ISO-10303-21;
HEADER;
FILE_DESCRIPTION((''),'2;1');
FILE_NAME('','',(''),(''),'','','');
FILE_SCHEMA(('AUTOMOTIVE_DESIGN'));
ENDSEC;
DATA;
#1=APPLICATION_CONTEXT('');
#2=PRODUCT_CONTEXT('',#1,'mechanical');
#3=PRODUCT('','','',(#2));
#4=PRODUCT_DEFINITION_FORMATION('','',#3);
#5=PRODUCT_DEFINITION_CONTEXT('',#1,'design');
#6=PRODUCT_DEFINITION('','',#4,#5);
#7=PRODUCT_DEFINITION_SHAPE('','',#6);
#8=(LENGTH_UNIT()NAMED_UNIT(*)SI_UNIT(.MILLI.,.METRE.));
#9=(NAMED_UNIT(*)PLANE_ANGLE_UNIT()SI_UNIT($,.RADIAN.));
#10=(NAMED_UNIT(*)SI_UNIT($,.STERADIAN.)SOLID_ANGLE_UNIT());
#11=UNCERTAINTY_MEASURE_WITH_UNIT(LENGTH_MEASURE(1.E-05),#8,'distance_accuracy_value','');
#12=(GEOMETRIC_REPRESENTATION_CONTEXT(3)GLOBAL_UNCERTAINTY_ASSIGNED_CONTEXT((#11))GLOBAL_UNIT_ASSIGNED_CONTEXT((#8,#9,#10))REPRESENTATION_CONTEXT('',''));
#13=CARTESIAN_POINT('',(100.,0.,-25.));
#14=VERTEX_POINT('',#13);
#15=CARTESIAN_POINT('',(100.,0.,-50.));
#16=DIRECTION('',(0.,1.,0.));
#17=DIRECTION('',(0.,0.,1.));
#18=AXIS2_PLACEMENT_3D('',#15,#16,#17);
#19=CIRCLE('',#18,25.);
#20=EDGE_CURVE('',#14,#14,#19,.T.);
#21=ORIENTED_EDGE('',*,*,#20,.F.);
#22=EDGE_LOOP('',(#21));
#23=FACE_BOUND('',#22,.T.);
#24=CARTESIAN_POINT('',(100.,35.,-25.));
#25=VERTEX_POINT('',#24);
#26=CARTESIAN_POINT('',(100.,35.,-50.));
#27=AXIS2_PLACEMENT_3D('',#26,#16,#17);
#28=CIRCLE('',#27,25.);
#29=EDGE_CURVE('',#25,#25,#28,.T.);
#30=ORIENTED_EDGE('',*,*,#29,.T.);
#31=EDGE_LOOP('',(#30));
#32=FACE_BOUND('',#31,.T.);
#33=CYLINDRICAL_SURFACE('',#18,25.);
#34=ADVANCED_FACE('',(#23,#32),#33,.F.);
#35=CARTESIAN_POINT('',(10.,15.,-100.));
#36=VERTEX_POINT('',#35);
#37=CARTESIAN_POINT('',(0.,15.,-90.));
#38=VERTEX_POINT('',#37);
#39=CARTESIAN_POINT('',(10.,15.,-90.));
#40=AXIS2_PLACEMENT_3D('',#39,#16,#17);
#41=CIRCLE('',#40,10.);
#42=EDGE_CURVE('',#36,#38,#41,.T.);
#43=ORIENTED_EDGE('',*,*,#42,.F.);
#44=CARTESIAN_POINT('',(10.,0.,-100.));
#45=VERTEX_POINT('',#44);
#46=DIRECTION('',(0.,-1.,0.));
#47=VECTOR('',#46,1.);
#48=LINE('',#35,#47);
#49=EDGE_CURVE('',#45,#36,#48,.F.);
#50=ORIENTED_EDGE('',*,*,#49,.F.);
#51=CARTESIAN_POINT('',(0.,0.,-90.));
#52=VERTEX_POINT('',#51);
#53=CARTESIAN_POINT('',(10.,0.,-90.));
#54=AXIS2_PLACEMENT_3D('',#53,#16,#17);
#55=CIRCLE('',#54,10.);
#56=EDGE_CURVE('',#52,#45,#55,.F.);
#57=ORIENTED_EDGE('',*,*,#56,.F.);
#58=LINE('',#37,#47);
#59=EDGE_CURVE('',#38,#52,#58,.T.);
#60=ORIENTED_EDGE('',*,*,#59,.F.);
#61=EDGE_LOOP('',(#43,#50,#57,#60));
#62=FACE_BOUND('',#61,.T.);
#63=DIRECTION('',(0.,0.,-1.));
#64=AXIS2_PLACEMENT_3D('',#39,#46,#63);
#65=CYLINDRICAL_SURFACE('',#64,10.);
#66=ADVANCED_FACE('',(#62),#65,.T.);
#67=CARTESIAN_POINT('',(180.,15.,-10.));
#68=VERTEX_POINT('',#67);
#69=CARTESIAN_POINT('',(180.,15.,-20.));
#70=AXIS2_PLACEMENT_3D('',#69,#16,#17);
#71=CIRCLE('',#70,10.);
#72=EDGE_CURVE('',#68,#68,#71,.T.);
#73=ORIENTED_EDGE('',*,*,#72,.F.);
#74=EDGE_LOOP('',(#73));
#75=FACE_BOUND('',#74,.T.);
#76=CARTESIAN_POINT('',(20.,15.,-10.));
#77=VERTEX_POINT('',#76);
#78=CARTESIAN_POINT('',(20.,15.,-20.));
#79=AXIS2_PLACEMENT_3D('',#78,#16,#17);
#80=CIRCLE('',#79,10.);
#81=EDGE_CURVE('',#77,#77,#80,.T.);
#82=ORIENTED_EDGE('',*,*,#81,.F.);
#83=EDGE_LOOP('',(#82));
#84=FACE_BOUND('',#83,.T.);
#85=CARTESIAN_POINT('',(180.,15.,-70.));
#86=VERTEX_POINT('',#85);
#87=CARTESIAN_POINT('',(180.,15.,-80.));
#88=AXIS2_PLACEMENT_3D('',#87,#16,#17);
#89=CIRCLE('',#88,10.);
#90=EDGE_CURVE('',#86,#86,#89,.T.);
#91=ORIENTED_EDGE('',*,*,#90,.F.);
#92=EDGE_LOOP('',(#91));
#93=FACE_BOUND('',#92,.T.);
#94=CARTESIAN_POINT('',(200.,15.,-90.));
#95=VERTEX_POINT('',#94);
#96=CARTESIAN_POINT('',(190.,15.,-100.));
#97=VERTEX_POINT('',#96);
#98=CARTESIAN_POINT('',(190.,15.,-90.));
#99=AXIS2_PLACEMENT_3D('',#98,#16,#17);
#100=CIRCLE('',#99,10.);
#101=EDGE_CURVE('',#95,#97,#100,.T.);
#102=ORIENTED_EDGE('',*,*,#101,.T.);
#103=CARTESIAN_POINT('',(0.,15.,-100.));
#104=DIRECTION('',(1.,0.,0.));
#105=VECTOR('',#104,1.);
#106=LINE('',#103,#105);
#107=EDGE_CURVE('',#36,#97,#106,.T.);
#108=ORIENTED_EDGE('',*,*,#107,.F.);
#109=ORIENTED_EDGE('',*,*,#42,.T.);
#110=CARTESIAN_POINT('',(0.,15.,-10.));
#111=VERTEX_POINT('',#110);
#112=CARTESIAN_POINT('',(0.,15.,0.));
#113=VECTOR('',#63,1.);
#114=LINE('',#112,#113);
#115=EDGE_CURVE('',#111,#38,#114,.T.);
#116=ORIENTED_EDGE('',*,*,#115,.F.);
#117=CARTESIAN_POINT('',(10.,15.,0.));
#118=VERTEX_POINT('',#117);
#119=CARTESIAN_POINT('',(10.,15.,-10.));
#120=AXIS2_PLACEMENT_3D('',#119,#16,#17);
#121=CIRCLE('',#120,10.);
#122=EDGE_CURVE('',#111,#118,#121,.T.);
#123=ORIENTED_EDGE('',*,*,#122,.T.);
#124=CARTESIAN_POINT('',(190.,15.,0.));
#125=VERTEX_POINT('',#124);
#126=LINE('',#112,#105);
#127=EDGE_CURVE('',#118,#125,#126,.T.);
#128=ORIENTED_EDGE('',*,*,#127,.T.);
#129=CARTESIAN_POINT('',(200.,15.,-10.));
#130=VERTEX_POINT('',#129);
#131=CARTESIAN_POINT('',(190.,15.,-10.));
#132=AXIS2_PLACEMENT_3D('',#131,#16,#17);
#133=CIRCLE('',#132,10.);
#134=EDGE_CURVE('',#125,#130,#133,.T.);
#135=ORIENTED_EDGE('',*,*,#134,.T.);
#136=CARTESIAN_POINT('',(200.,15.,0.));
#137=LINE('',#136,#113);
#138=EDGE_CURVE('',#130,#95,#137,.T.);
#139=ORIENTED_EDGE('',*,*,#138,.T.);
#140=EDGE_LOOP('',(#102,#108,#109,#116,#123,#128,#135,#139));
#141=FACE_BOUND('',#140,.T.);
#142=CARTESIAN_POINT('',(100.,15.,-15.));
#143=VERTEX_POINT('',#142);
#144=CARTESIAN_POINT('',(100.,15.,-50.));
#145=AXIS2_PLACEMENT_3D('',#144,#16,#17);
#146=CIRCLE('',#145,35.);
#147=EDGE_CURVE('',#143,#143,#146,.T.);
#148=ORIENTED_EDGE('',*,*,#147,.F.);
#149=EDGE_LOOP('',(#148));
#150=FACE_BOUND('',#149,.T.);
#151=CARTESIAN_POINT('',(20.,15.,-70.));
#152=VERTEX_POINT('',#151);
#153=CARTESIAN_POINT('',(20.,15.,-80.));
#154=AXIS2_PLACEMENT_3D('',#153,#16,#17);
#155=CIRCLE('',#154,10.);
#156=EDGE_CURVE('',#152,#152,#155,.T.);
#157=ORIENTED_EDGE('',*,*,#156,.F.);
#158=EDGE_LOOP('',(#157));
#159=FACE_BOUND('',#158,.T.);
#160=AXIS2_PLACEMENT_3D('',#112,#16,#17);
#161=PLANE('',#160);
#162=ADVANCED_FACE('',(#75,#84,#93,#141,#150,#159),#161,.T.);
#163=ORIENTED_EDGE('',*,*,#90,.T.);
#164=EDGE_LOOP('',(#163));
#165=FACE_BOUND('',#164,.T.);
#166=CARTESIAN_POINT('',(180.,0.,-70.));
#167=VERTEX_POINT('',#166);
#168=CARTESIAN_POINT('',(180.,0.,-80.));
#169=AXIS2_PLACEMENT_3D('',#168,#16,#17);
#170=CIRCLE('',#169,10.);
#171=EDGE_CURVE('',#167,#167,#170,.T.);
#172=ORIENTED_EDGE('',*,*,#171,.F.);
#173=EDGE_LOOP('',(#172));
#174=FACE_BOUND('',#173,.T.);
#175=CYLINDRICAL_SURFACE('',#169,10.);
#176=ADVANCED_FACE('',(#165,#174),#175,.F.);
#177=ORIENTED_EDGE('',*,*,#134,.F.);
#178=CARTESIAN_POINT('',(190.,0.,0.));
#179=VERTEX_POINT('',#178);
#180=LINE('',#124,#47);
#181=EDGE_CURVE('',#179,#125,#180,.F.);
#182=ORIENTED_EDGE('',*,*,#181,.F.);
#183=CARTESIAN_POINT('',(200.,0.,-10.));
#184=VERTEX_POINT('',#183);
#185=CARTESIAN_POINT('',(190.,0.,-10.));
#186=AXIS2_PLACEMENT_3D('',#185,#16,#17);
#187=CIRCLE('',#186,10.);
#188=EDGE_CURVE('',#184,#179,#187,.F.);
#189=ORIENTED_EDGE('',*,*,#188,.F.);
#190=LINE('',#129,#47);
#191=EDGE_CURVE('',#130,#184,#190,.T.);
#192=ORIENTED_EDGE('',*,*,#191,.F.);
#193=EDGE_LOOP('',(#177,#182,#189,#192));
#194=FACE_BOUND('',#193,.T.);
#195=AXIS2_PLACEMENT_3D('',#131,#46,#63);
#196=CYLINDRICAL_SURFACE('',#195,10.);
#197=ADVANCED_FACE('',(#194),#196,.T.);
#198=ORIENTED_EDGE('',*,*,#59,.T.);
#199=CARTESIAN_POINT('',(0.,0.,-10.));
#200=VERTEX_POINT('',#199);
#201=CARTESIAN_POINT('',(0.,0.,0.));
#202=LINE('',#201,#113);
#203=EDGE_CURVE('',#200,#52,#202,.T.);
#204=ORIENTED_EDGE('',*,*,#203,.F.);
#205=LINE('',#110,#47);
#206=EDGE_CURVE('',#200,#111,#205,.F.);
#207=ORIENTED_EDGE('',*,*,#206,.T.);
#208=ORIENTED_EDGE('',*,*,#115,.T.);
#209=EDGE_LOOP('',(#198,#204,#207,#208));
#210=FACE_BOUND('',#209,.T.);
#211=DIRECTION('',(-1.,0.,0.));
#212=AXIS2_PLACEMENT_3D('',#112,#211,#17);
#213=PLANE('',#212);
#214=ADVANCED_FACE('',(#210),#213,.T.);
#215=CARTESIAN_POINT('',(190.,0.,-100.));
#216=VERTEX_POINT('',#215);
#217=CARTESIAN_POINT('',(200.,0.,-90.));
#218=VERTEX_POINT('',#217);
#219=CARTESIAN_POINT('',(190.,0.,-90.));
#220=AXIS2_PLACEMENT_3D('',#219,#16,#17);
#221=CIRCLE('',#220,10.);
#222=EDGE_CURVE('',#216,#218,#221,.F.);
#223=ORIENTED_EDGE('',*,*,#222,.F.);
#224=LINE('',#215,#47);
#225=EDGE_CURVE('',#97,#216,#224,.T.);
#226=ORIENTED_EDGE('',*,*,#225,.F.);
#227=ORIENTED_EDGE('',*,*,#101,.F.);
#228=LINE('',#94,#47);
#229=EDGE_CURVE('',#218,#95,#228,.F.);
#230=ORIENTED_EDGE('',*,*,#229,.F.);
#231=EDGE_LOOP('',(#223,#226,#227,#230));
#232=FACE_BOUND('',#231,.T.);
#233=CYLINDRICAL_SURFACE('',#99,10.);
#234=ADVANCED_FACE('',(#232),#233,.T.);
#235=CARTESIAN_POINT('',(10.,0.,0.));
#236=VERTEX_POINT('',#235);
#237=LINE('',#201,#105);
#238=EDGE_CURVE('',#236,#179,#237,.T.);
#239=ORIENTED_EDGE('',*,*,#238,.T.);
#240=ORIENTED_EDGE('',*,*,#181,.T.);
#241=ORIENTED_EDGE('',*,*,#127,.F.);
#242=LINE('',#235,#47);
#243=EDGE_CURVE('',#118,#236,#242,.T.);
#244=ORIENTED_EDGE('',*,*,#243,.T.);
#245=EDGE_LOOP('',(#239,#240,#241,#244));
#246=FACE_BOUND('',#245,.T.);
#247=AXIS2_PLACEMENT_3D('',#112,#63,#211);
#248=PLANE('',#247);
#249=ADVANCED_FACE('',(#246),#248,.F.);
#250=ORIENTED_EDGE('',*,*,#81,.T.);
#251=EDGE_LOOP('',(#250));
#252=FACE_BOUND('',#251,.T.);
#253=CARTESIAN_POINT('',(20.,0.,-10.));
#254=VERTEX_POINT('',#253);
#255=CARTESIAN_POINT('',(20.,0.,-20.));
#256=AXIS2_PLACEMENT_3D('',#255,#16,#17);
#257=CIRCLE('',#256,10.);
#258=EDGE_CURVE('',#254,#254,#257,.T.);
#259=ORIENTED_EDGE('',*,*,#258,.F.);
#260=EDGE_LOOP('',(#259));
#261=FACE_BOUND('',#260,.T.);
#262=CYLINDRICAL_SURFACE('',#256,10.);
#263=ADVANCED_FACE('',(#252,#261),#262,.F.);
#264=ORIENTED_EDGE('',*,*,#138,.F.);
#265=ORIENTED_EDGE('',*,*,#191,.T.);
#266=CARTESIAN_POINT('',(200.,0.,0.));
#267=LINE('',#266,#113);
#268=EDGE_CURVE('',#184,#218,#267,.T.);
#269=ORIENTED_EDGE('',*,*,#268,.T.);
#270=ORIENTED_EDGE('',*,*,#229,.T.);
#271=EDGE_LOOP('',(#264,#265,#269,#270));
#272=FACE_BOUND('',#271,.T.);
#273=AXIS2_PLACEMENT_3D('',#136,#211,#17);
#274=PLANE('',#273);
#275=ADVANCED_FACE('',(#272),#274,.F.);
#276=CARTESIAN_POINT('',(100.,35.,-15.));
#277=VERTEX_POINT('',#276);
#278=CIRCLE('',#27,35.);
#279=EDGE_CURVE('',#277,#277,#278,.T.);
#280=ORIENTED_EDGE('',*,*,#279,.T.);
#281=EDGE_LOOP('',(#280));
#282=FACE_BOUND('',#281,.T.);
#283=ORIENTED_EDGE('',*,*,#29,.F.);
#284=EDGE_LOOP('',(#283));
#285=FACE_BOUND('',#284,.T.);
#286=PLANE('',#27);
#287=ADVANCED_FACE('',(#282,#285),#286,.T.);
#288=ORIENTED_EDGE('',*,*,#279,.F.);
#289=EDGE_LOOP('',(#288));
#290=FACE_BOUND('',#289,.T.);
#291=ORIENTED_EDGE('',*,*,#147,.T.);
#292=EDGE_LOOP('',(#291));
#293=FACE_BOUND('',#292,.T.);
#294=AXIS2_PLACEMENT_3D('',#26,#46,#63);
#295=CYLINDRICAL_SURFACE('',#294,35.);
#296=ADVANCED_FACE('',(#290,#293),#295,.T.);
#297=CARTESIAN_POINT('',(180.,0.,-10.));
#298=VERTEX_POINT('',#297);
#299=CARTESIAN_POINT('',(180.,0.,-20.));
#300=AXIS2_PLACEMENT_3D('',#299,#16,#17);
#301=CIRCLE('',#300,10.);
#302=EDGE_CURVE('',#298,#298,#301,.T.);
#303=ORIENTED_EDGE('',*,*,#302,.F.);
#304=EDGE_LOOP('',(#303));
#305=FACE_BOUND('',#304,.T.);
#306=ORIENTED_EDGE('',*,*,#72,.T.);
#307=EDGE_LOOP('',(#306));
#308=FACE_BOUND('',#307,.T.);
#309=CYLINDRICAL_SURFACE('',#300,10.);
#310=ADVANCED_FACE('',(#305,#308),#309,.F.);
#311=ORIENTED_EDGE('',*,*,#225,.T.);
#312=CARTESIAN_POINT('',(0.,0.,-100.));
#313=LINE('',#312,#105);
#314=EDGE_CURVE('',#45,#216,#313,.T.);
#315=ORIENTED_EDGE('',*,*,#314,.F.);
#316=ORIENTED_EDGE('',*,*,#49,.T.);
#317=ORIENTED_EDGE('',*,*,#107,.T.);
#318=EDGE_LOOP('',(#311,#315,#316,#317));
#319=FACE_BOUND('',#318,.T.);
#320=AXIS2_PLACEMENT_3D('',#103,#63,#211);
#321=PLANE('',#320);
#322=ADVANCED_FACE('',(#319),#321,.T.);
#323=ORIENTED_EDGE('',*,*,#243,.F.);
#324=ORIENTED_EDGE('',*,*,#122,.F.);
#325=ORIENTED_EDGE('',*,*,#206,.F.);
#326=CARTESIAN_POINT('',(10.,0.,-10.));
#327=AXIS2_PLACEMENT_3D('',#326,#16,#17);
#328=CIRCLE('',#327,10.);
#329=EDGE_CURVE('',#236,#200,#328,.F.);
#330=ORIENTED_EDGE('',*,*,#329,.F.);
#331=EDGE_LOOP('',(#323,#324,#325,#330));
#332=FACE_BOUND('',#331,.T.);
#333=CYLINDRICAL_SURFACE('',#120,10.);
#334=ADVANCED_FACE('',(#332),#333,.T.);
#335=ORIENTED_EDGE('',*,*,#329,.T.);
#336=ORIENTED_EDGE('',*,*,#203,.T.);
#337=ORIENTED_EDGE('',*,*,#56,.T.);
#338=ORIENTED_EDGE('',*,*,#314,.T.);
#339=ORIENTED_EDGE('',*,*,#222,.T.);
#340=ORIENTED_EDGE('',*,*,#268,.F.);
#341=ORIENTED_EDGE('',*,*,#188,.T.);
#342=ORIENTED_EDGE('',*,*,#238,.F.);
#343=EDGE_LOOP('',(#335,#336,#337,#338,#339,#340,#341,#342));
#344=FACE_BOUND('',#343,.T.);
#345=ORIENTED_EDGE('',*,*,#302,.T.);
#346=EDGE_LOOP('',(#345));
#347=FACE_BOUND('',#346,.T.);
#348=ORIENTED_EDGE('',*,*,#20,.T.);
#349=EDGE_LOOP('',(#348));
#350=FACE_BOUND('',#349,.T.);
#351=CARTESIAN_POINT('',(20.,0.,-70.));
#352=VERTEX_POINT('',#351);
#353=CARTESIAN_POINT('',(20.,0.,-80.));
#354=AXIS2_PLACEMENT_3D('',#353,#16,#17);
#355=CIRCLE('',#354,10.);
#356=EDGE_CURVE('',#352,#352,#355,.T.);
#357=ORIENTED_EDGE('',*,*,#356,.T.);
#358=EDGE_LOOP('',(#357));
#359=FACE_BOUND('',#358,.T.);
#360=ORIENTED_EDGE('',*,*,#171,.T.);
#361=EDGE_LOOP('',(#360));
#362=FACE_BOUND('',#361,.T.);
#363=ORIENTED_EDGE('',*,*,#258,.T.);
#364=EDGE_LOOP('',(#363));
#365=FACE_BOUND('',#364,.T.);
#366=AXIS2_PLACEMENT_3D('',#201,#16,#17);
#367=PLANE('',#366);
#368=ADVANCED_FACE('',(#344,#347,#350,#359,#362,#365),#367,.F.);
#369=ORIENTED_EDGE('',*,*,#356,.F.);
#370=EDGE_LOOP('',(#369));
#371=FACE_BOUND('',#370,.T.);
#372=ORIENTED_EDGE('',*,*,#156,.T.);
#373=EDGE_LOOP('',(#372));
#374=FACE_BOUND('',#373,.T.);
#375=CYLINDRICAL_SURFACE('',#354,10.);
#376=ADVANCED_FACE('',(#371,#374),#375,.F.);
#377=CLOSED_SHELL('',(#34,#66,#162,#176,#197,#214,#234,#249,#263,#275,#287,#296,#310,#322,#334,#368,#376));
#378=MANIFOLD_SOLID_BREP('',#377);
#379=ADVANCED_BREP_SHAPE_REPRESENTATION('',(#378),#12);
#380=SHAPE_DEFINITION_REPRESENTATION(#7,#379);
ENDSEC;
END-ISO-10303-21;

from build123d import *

# Parameters (mm, degrees)
SKETCH_1_W          = 200
SKETCH_1_H          = 100
EXTRUDE_1_DEPTH     = 15
SKETCH_2_R          = 35
EXTRUDE_2_DEPTH     = 20
SKETCH_3_R          = 25
CUT_EXTRUDE_1_DEPTH = 227.329405955
SKETCH_4_R          = 10
CUT_EXTRUDE_2_DEPTH = 225.499443206
FILLET_1_R          = 10


with BuildPart() as part:
    # Эскиз1 → Бобышка-Вытянуть1 (new body)
    with BuildSketch(Plane(origin=(0, 0, 0), x_dir=(1, 0, 0), z_dir=(0, 1, 0))):
        with Locations((100, 50)):
            Rectangle(SKETCH_1_W, SKETCH_1_H)
    extrude(amount=EXTRUDE_1_DEPTH)

    # Эскиз2 → Бобышка-Вытянуть2 (add)
    with BuildSketch(Plane(origin=(0, 15, 0), x_dir=(1, 0, 0), z_dir=(0, 1, 0))):
        with Locations(Location((100, 50, 0), (0, 0, 270))):
            Circle(SKETCH_2_R)
    extrude(amount=EXTRUDE_2_DEPTH)

    # Эскиз3 → Вырез-Вытянуть1 (cut, through all)
    with BuildSketch(Plane(origin=(0, 35, 0), x_dir=(1, 0, 0), z_dir=(0, 1, 0))):
        with Locations(Location((100, 50, 0), (0, 0, 270))):
            Circle(SKETCH_3_R)
    extrude(amount=-CUT_EXTRUDE_1_DEPTH, mode=Mode.SUBTRACT)

    # Эскиз4 → Вырез-Вытянуть2 (cut, through all)
    with BuildSketch(Plane(origin=(0, 15, 0), x_dir=(1, 0, 0), z_dir=(0, 1, 0))):
        with Locations(Location((20, 20, 0), (0, 0, 270))):
            Circle(SKETCH_4_R)
        with Locations(Location((20, 80, 0), (0, 0, 270))):
            Circle(SKETCH_4_R)
        with Locations(Location((180, 80, 0), (0, 0, 270))):
            Circle(SKETCH_4_R)
        with Locations(Location((180, 20, 0), (0, 0, 270))):
            Circle(SKETCH_4_R)
    extrude(amount=-CUT_EXTRUDE_2_DEPTH, mode=Mode.SUBTRACT)

    # Скругление1
    fillet_1_edges = [part.edges().sort_by_distance(p)[0] for p in [
        (0, 7.5, 0),
        (0, 7.5, -100),
        (200, 7.5, -100),
        (200, 7.5, 0),
    ]]
    fillet(fillet_1_edges, radius=FILLET_1_R)


solid = part.part
